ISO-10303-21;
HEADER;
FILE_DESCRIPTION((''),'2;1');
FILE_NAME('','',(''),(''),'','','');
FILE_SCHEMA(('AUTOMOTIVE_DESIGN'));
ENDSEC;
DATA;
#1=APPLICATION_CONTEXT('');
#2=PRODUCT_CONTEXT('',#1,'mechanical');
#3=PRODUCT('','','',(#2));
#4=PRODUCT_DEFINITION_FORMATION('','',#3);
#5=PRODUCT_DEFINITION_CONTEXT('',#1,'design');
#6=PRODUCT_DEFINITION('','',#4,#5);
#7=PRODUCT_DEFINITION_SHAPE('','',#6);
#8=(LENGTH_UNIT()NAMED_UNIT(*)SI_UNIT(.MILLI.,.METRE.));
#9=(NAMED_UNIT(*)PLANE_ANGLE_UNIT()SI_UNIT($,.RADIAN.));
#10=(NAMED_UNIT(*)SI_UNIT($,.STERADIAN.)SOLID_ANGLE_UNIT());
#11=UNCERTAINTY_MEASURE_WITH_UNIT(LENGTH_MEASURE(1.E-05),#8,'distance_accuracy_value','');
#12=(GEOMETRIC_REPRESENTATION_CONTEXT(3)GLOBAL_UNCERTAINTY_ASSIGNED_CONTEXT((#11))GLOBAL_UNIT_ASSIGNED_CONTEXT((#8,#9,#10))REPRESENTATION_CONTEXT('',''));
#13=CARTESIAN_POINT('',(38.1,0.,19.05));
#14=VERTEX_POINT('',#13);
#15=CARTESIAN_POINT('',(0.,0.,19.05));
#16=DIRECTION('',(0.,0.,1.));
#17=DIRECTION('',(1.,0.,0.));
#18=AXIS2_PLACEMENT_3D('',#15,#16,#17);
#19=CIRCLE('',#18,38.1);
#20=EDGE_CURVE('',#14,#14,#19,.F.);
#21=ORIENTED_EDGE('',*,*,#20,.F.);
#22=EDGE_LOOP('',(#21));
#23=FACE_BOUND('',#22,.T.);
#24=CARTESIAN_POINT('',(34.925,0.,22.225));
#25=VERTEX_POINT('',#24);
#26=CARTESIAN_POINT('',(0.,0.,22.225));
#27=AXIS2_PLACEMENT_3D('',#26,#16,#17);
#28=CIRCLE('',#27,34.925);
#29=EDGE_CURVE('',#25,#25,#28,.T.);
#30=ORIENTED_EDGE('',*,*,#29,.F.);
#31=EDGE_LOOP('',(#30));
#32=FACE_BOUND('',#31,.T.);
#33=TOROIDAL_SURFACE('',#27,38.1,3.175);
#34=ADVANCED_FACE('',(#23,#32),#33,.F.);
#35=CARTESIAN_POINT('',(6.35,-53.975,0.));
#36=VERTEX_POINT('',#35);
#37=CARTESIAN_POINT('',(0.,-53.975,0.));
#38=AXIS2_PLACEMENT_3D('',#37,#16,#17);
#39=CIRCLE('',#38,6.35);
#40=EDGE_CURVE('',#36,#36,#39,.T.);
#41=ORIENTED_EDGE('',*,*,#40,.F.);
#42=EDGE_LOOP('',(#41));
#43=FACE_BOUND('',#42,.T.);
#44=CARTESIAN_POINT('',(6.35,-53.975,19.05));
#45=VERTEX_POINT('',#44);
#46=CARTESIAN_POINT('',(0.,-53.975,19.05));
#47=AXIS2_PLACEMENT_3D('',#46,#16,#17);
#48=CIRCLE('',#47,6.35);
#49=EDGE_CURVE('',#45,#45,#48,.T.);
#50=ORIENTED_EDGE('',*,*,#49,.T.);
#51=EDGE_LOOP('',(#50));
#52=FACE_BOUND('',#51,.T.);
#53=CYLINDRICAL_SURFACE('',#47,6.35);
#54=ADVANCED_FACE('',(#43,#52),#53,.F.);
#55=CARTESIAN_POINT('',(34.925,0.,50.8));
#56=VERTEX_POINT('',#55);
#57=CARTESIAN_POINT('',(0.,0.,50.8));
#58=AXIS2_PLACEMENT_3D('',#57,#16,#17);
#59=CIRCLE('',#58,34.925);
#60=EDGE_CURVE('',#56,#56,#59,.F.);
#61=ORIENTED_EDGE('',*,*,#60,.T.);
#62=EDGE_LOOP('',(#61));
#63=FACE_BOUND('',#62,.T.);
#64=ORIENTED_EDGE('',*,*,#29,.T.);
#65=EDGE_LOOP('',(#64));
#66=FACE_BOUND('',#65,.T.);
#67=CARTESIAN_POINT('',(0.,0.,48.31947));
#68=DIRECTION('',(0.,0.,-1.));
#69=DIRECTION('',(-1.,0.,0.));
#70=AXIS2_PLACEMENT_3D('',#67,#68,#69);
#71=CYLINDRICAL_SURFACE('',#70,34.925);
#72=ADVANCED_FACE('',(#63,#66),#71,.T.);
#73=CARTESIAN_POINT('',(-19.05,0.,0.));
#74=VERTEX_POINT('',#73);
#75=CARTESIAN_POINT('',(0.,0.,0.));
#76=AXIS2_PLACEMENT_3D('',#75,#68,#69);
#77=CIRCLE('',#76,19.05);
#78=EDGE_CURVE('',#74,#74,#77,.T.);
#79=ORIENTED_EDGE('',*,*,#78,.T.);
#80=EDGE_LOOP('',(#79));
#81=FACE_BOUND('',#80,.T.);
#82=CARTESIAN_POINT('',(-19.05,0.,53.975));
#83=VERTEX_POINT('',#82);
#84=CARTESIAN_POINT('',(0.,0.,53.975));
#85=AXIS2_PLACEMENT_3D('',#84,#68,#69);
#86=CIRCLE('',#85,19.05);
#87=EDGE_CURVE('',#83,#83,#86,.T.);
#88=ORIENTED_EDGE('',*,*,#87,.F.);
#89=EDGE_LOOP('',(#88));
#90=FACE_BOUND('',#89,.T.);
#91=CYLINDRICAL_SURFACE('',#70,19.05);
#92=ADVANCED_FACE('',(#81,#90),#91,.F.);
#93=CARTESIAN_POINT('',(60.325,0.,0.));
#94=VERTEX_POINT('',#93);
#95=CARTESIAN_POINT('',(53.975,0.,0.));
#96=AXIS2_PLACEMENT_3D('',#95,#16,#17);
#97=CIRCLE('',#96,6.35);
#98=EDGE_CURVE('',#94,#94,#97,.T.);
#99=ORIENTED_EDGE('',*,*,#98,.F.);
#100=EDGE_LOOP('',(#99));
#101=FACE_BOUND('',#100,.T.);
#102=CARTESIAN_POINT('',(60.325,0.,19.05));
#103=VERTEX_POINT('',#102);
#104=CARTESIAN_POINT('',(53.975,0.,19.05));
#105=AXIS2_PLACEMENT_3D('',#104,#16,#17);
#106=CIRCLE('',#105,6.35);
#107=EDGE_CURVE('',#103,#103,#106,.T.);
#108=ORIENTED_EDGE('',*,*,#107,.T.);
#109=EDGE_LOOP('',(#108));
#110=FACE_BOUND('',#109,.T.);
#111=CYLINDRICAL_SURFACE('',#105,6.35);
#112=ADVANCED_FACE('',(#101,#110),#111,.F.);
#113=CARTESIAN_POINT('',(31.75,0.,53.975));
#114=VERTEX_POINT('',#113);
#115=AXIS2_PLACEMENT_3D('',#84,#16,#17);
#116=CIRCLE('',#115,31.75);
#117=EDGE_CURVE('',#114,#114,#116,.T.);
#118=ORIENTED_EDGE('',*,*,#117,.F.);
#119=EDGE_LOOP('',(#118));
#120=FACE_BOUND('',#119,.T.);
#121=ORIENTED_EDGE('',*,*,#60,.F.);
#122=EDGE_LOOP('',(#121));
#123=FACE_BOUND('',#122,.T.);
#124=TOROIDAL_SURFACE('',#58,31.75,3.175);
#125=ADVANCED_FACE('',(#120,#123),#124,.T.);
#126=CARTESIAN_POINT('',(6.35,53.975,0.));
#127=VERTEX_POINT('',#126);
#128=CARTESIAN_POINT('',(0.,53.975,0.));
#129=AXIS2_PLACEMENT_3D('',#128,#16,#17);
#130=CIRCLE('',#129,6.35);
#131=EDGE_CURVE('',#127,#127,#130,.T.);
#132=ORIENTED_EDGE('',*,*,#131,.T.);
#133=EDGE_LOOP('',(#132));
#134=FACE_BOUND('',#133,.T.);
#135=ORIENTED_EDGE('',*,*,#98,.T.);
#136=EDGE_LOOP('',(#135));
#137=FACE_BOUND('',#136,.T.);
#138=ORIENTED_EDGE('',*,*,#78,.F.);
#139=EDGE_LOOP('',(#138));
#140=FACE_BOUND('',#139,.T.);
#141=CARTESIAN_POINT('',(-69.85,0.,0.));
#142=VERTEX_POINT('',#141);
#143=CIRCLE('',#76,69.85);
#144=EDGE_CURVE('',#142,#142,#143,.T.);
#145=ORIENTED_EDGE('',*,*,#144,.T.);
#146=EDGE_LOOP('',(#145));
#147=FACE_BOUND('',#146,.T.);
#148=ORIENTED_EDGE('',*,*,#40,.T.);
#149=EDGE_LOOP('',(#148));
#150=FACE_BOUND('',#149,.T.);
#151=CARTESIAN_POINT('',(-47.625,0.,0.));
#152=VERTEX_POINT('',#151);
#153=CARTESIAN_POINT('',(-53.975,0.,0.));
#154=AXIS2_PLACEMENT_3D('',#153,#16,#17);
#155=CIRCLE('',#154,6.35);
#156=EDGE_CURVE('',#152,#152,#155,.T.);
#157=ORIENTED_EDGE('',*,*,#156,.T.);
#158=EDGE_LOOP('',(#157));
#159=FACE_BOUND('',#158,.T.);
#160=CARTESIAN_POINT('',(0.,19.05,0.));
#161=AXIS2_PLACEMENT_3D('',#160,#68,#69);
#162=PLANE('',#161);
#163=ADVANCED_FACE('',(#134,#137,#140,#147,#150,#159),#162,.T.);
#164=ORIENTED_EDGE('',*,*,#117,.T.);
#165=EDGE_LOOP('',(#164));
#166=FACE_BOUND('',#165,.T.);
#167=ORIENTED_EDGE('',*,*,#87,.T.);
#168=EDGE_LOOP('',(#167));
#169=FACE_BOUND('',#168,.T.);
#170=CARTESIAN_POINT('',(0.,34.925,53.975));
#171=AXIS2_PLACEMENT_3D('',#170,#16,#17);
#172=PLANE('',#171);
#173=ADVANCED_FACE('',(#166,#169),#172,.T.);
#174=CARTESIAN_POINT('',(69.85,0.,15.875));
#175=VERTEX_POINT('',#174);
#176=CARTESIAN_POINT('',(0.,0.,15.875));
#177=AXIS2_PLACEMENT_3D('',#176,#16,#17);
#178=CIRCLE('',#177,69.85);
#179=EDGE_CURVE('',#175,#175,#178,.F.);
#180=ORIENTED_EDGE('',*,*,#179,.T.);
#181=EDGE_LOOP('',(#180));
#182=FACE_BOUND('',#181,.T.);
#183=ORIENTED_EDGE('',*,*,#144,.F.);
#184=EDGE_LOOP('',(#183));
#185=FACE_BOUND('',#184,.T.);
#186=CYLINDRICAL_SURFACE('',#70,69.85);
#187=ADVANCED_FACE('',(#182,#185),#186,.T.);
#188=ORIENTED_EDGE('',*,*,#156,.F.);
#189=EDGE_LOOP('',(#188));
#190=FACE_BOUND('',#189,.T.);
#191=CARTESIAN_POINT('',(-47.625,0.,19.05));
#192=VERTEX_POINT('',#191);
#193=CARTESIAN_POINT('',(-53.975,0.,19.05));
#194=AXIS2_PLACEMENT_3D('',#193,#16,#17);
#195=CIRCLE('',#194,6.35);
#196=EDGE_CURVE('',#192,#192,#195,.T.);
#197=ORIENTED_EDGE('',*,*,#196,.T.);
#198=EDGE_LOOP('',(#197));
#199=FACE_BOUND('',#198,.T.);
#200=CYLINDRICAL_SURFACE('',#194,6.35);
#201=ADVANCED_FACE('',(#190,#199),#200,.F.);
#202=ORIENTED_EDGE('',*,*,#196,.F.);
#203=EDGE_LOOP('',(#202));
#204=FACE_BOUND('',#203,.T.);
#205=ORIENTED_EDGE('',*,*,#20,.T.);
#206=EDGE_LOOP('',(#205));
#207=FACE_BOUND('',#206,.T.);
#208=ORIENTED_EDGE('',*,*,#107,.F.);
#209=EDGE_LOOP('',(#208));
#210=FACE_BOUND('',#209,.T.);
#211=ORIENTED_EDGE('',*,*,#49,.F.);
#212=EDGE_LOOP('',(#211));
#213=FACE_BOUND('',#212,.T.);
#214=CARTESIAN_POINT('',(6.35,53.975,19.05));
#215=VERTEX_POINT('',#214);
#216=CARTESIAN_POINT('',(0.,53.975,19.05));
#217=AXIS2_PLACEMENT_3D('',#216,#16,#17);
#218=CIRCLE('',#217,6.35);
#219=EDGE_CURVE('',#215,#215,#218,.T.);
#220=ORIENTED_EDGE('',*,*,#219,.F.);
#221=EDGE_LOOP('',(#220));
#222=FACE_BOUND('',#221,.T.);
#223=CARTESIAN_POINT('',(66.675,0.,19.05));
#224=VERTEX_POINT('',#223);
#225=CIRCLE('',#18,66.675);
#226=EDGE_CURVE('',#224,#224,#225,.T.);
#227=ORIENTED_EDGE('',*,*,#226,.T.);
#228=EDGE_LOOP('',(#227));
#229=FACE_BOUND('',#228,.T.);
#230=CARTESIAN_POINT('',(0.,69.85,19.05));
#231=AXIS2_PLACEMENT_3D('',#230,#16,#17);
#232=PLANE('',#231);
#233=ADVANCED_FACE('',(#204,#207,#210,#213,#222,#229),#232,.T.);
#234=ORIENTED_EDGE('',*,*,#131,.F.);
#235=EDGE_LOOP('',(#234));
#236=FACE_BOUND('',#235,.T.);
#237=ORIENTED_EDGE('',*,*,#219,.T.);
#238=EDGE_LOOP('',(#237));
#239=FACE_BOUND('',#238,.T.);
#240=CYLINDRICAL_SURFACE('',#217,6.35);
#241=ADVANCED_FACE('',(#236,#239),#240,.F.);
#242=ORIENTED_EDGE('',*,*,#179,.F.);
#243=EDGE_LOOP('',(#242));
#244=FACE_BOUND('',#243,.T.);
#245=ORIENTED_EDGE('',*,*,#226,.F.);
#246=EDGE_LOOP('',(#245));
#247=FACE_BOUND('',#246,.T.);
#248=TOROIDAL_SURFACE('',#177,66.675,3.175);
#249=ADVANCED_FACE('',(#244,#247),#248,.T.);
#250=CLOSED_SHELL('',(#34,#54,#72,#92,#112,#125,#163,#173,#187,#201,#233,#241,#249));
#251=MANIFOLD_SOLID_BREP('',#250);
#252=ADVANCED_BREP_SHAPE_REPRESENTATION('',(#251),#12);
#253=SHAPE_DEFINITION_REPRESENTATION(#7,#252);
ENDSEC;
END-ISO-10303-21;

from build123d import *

# Parameters (mm, degrees)
D_GAGEMENT_22_D              = 12.7
R_P_TITION_CIRCULAIRE1_COUNT = 4
CONG_1_R                     = 3.175


with BuildPart() as part:
    # Esquisse1 → Base-Révolution (revolve)
    with BuildSketch(Plane(origin=(0, 0, 0), x_dir=(0, 0, -1), z_dir=(1, 0, 0)), mode=Mode.PRIVATE) as base_r_volution_sk:
        Polygon((0, 19.05), (0, 69.85), (-19.05, 69.85), (-19.05, 34.925), (-53.975, 34.925), (-53.975, 19.05), align=None)
    revolve(base_r_volution_sk.sketch.rotate(Axis((0, 0, 48.319469853), (0, 0, -1)), 270), axis=Axis((0, 0, 48.319469853), (0, 0, -1)))

    # Dégagement 22 (through all)
    with Locations(Plane.XY.offset(19.05)):
        with Locations((0, 53.975)):
            d_gagement_22 = Hole(D_GAGEMENT_22_D / 2)

    # Répétition circulaire1: Dégagement 22 ×4 about axis
    r_p_tition_circulaire1_axis = Axis((0, 0, 0), (0, 0, 1))
    for i in range(1, R_P_TITION_CIRCULAIRE1_COUNT):
        add(d_gagement_22.rotate(r_p_tition_circulaire1_axis, i * 360 / R_P_TITION_CIRCULAIRE1_COUNT), mode=Mode.SUBTRACT)

    # Congé1
    cong_1_edges = [part.edges().sort_by_distance(p)[0] for p in [
        (34.925, 0, 53.975),
        (34.925, 0, 19.05),
        (69.85, 0, 19.05),
    ]]
    fillet(cong_1_edges, radius=CONG_1_R)


solid = part.part
